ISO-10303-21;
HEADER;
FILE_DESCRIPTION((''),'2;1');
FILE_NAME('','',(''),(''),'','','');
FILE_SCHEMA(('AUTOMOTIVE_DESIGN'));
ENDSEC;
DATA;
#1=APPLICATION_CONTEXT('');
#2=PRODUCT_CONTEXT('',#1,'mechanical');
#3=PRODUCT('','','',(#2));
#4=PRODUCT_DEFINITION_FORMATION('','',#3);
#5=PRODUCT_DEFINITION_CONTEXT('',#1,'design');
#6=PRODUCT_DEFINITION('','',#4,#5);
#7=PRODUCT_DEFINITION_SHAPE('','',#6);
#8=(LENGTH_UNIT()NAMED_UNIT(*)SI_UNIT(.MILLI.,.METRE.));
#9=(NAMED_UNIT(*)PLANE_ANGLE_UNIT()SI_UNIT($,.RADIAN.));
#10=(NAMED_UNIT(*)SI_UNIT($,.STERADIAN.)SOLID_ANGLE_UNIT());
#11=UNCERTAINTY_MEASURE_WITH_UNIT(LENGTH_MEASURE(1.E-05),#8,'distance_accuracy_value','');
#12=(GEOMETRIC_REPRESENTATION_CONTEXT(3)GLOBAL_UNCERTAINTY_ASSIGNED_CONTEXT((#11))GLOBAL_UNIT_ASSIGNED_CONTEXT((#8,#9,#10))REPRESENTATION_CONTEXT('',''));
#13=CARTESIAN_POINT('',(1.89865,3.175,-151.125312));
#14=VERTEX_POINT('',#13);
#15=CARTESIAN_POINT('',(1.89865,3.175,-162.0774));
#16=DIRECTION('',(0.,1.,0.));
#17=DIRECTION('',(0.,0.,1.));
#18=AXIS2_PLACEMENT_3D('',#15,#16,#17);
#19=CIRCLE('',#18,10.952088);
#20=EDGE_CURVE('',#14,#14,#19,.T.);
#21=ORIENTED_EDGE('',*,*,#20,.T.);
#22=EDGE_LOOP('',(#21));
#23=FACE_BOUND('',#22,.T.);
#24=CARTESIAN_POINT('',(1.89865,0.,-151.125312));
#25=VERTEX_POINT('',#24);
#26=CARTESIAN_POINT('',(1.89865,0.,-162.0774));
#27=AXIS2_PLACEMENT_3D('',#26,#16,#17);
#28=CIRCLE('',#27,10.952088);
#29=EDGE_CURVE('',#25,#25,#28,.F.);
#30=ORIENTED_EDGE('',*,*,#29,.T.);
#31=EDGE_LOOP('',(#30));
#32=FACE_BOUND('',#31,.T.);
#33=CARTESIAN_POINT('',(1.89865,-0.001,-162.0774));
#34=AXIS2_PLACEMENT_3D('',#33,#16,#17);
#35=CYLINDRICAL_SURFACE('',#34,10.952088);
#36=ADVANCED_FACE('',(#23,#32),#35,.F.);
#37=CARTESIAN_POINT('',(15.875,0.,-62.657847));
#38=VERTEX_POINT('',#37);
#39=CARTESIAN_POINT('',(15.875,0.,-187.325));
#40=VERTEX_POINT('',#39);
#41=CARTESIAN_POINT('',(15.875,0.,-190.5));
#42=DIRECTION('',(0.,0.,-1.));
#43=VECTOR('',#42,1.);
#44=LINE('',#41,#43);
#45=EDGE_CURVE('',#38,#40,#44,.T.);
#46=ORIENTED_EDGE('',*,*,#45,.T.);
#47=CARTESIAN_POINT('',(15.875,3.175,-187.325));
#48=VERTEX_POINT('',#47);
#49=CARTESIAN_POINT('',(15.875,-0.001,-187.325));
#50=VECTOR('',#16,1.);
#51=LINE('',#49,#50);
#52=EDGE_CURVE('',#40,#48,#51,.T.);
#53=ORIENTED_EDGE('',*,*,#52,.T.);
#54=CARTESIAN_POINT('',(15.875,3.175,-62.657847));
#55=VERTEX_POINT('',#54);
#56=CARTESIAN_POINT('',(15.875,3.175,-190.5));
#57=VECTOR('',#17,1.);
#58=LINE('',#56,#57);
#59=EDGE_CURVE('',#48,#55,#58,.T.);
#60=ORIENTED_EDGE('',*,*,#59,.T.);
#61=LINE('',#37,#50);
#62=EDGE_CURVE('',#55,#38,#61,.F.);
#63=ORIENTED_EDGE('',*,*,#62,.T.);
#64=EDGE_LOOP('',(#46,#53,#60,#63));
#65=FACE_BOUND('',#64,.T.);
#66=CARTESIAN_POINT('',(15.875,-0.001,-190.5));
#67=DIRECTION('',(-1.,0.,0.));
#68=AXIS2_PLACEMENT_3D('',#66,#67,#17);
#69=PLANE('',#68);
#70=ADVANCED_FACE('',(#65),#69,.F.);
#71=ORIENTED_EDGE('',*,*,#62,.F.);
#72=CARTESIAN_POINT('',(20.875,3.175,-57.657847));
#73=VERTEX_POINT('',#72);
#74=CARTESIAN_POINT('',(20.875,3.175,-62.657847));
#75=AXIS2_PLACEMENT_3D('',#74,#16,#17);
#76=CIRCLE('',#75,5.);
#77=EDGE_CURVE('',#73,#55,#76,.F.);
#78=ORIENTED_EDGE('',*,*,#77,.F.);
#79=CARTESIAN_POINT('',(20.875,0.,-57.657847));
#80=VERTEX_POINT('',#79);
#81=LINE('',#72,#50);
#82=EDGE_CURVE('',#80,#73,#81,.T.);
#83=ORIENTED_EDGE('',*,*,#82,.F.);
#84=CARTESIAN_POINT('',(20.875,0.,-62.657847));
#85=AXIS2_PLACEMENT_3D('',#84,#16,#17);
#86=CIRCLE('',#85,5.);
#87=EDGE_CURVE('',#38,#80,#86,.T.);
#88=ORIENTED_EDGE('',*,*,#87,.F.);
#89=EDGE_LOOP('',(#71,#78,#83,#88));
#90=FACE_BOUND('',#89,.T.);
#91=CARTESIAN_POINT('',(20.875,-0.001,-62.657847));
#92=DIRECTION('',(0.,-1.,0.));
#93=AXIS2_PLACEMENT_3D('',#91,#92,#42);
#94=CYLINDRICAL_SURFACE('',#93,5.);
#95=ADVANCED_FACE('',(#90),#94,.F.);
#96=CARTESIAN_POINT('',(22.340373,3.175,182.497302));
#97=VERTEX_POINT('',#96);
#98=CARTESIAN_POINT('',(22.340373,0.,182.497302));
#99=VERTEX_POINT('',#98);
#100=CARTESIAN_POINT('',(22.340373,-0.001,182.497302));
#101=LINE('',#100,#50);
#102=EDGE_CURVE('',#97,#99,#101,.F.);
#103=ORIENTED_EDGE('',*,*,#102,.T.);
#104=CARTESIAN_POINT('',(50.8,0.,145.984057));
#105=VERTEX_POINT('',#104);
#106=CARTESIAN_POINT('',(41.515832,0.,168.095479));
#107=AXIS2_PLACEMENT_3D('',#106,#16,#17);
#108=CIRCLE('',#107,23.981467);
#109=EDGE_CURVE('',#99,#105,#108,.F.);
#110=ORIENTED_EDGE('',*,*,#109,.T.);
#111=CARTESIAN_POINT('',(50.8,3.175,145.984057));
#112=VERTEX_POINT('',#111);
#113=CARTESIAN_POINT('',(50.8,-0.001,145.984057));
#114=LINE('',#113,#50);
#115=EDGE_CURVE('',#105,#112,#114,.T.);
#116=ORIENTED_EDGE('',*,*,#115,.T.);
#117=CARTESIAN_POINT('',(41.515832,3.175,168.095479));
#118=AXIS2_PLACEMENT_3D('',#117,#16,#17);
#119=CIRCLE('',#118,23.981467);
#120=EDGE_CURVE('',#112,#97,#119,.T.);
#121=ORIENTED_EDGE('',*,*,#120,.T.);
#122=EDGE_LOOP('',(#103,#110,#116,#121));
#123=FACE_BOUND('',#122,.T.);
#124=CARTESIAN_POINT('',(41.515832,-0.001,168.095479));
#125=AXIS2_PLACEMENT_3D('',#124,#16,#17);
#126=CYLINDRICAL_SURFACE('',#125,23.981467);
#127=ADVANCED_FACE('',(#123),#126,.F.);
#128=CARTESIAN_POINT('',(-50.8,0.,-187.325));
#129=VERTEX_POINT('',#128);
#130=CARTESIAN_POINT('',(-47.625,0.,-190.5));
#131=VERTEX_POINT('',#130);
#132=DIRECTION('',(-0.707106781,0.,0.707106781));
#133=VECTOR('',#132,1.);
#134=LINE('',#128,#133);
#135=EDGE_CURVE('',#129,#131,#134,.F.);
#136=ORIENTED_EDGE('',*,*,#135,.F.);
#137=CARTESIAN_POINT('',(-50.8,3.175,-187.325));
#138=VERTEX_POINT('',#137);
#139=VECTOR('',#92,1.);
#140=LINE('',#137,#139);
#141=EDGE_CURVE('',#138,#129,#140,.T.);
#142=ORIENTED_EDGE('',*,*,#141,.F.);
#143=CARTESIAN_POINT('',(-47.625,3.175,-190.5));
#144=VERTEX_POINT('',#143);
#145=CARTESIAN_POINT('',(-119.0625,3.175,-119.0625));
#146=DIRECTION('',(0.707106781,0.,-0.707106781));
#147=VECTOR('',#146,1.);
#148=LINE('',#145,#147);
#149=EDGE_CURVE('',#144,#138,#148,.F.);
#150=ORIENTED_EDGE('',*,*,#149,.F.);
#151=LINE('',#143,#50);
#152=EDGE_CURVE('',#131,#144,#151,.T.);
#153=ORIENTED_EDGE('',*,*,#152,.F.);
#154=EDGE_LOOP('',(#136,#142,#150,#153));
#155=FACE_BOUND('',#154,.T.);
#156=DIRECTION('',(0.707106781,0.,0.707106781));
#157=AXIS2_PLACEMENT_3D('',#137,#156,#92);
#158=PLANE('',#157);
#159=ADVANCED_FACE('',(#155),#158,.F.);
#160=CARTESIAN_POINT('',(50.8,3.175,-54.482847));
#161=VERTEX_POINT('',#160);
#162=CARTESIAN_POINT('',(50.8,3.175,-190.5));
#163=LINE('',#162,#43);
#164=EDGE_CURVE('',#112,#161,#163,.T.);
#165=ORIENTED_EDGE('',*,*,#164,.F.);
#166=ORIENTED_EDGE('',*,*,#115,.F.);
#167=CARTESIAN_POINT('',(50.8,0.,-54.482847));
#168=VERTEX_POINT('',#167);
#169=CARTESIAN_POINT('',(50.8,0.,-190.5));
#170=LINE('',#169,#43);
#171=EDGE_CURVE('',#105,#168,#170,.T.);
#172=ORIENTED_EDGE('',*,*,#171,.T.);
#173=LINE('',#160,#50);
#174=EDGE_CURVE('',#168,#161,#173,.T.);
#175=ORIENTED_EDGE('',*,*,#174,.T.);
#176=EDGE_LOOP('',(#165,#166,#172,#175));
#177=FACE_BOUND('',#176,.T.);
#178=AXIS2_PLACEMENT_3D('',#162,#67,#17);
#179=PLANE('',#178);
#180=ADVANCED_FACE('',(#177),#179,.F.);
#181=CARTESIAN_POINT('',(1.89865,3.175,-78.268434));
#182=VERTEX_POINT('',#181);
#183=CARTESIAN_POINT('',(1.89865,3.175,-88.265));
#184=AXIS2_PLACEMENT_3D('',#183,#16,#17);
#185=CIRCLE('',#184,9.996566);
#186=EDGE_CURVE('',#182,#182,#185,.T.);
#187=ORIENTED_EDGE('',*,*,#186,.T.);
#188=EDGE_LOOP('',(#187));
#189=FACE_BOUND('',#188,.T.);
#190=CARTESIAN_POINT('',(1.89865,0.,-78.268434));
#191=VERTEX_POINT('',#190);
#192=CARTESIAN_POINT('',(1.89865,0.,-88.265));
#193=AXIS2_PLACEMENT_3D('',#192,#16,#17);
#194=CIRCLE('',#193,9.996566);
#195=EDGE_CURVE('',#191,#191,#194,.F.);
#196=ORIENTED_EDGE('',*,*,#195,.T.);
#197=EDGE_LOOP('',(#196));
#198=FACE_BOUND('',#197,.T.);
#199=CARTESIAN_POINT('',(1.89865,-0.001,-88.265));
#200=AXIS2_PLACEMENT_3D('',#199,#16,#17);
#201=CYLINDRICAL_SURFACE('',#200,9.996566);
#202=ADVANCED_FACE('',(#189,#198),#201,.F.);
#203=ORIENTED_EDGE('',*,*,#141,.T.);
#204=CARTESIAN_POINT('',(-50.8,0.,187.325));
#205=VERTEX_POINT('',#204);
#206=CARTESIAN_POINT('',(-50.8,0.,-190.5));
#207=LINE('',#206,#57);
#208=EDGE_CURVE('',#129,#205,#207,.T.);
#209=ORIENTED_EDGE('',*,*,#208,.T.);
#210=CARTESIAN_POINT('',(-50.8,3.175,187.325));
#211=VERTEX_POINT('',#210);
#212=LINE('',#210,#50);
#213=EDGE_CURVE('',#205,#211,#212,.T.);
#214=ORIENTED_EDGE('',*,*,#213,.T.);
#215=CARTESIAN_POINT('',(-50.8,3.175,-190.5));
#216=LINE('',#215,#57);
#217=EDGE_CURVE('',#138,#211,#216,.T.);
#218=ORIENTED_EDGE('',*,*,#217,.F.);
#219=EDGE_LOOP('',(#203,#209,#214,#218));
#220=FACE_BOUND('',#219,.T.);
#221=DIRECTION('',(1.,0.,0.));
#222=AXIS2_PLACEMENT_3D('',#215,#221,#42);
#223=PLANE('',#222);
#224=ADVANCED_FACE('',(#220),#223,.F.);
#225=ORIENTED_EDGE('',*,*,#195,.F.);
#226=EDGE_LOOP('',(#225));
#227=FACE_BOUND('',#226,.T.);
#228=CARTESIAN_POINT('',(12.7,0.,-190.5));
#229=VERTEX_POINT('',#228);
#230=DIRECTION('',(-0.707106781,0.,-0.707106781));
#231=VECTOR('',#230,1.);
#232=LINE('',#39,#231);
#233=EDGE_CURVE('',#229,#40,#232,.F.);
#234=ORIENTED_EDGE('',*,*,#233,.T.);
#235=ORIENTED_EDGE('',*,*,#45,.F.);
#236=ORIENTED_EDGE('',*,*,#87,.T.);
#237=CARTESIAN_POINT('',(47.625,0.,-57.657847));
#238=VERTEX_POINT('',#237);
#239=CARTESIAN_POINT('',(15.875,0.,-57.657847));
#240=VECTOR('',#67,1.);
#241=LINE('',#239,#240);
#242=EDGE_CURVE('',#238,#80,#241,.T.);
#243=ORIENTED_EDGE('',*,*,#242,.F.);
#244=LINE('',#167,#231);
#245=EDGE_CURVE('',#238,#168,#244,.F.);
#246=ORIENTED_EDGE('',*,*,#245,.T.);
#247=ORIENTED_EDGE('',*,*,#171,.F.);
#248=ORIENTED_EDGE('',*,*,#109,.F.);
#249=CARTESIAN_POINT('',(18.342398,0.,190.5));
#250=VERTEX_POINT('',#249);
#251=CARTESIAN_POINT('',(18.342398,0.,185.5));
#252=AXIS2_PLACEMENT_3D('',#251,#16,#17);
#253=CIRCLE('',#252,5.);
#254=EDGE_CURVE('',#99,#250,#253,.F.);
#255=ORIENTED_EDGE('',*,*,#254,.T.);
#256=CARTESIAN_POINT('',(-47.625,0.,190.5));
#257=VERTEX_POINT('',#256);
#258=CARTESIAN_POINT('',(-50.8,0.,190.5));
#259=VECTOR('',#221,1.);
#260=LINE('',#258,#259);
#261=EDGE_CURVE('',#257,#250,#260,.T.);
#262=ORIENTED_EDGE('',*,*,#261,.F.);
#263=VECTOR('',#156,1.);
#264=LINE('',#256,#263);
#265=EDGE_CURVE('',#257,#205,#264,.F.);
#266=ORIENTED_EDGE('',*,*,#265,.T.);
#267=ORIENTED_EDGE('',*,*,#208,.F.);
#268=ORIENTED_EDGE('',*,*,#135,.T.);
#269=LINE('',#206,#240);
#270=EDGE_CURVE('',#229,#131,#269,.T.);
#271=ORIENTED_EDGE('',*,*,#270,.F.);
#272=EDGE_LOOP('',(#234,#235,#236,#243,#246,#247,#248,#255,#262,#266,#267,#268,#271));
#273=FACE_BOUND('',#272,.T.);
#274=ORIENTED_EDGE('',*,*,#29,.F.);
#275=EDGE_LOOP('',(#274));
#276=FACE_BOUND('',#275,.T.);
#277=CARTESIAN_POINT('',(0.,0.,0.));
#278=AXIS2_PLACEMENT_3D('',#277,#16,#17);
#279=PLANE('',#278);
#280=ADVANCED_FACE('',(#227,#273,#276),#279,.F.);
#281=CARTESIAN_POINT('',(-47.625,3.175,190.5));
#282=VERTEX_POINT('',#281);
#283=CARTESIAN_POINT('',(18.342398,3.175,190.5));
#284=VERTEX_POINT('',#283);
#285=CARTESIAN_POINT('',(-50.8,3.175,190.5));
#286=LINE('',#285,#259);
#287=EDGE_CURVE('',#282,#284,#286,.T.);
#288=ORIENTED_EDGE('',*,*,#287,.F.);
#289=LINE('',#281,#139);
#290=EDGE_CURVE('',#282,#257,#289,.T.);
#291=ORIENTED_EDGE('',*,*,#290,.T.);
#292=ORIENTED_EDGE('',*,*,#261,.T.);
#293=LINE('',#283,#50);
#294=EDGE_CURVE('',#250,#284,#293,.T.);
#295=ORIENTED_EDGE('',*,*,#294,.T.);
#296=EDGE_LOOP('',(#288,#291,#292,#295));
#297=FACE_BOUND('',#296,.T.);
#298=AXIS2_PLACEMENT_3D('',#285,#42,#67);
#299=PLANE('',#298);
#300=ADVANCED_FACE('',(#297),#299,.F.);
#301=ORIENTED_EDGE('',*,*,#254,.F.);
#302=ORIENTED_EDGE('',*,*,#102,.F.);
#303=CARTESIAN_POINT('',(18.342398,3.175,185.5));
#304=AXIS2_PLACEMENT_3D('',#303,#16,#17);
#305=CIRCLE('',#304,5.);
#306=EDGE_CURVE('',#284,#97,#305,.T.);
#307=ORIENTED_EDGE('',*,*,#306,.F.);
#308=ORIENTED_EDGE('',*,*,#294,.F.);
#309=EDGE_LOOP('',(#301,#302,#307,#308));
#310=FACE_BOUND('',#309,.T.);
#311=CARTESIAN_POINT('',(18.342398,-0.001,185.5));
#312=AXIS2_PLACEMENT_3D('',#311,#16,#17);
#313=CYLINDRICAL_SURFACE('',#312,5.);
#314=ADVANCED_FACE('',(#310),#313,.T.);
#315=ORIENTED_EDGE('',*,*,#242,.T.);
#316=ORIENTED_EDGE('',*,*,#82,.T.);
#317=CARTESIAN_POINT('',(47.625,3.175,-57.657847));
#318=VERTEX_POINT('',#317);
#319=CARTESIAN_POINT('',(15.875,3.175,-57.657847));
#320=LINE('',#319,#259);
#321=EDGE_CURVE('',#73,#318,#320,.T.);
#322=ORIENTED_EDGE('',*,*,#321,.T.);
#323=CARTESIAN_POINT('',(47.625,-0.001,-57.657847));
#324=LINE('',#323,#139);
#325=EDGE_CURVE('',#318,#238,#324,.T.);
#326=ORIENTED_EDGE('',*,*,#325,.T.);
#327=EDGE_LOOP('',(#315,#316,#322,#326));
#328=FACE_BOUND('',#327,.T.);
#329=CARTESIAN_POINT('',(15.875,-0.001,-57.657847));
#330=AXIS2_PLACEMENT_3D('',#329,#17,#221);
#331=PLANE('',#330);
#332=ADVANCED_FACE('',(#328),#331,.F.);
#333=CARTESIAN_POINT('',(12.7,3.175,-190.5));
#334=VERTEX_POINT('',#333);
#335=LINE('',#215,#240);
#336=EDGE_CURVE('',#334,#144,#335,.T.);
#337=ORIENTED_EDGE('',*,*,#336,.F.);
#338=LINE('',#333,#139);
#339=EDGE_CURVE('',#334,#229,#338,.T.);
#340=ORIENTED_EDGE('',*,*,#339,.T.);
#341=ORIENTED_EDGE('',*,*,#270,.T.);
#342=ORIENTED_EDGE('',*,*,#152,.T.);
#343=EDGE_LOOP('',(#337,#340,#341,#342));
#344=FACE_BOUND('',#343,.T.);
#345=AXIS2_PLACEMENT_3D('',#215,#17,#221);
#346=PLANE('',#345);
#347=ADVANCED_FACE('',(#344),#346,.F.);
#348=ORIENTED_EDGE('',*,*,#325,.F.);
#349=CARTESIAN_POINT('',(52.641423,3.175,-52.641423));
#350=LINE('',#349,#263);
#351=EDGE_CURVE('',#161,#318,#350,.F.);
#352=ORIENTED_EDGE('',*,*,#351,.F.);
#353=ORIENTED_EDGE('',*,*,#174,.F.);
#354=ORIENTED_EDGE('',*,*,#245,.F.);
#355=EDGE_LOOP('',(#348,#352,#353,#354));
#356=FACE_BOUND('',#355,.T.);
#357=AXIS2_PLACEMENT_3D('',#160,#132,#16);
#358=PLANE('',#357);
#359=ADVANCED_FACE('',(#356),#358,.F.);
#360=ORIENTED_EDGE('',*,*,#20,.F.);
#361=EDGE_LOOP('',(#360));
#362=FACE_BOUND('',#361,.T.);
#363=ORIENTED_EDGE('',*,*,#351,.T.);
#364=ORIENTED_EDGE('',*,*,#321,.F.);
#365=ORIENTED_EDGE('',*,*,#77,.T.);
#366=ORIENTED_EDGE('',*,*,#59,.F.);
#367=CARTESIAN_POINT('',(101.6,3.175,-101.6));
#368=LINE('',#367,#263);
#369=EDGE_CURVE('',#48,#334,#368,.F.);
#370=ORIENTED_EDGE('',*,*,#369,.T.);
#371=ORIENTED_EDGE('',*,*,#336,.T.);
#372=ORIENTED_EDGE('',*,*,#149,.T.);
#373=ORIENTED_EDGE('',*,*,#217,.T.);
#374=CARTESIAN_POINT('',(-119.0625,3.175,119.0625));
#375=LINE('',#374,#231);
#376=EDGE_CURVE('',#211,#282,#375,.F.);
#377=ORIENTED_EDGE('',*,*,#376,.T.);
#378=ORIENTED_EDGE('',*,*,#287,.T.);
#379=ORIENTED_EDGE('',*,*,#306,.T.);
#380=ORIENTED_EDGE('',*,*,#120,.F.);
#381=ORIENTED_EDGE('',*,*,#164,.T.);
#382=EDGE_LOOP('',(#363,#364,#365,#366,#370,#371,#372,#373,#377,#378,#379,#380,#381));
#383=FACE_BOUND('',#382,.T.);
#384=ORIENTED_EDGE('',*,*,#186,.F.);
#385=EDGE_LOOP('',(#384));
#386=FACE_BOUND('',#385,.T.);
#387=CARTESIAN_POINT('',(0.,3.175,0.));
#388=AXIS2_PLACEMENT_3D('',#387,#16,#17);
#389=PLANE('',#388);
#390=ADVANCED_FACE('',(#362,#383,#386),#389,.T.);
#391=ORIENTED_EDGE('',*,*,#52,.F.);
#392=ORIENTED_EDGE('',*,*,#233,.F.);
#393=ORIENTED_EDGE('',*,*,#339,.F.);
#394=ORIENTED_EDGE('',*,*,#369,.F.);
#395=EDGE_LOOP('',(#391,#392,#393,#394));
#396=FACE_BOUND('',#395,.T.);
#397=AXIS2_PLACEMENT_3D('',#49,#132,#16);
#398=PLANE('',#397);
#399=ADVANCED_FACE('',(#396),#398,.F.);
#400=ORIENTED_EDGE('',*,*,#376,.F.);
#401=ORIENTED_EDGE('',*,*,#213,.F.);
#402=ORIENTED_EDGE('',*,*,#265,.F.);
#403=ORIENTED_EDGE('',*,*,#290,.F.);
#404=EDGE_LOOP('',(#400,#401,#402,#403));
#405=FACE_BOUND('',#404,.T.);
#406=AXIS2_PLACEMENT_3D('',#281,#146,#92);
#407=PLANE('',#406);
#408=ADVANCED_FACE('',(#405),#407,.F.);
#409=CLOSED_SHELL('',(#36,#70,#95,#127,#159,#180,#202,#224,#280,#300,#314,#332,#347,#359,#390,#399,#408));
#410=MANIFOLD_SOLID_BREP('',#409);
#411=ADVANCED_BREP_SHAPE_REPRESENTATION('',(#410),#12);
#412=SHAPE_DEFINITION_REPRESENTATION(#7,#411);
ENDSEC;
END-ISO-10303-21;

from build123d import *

# Parameters (mm, degrees)
SKETCH1_W           = 101.6
SKETCH1_H           = 381
BOSS_EXTRUDE1_DEPTH = 3.175
CHAMFER1_SIZE       = 3.175
CUT_EXTRUDE1_REACH  = 199.183
SKETCH2_R           = 23.981466634
SKETCH2_R_2         = 10.952088468
SKETCH2_R_3         = 9.996566117
SKETCH2_W           = 34.925
SKETCH2_H           = 132.842153018
CHAMFER2_SIZE       = 3.175
FILLET1_R           = 5
FILLET2_R           = 5


with BuildPart() as part:
    # Sketch1 → Boss-Extrude1 (new body)
    with BuildSketch(Plane(origin=(0, 0, 0), x_dir=(1, 0, 0), z_dir=(0, 1, 0))):
        Rectangle(SKETCH1_W, SKETCH1_H)
    extrude(amount=BOSS_EXTRUDE1_DEPTH)

    # Chamfer1
    chamfer1_edges = [part.edges().sort_by_distance(p)[0] for p in [
        (-50.8, 1.5875, -190.5),
        (50.8, 1.5875, -190.5),
        (50.8, 1.5875, 190.5),
        (-50.8, 1.5875, 190.5),
    ]]
    chamfer(chamfer1_edges, length=CHAMFER1_SIZE)

    # Sketch2 → Cut-Extrude1 (cut, up to next)
    with BuildSketch(Plane(origin=(0, 3.175, 0), x_dir=(1, 0, 0), z_dir=(0, 1, 0)), mode=Mode.PRIVATE) as cut_extrude1_sk1:
        with Locations((41.515832085, -168.095479014)):
            Circle(SKETCH2_R)
    cut_extrude1_tool1 = extrude(cut_extrude1_sk1.sketch, amount=-CUT_EXTRUDE1_REACH, mode=Mode.PRIVATE) & part.part
    # Sketch2 → Cut-Extrude1 (cut, up to next)
    with BuildSketch(Plane(origin=(0, 3.175, 0), x_dir=(1, 0, 0), z_dir=(0, 1, 0)), mode=Mode.PRIVATE) as cut_extrude1_sk2:
        with Locations((1.89865, 162.0774)):
            Circle(SKETCH2_R_2)
    cut_extrude1_tool2 = extrude(cut_extrude1_sk2.sketch, amount=-CUT_EXTRUDE1_REACH, mode=Mode.PRIVATE) & part.part
    # Sketch2 → Cut-Extrude1 (cut, up to next)
    with BuildSketch(Plane(origin=(0, 3.175, 0), x_dir=(1, 0, 0), z_dir=(0, 1, 0)), mode=Mode.PRIVATE) as cut_extrude1_sk3:
        with Locations((1.89865, 88.265)):
            Circle(SKETCH2_R_3)
    cut_extrude1_tool3 = extrude(cut_extrude1_sk3.sketch, amount=-CUT_EXTRUDE1_REACH, mode=Mode.PRIVATE) & part.part
    # Sketch2 → Cut-Extrude1 (cut, up to next)
    with BuildSketch(Plane(origin=(0, 3.175, 0), x_dir=(1, 0, 0), z_dir=(0, 1, 0)), mode=Mode.PRIVATE) as cut_extrude1_sk4:
        with Locations((33.3375, 124.078923491)):
            Rectangle(SKETCH2_W, SKETCH2_H)
    cut_extrude1_tool4 = extrude(cut_extrude1_sk4.sketch, amount=-CUT_EXTRUDE1_REACH, mode=Mode.PRIVATE) & part.part
    add(cut_extrude1_tool1.solids().sort_by_distance((41.515832, 3.175, 168.095479))[0], mode=Mode.SUBTRACT)
    add(cut_extrude1_tool2.solids().sort_by_distance((1.89865, 3.175, -162.0774))[0], mode=Mode.SUBTRACT)
    add(cut_extrude1_tool3.solids().sort_by_distance((1.89865, 3.175, -88.265))[0], mode=Mode.SUBTRACT)
    add(cut_extrude1_tool4.solids().sort_by_distance((33.3375, 3.175, -124.078923))[0], mode=Mode.SUBTRACT)

    # Chamfer2
    chamfer2_edges = [part.edges().sort_by_distance(p)[0] for p in [
        (50.8, 1.5875, -57.657846982),
        (15.875, 1.5875, -190.5),
    ]]
    chamfer(chamfer2_edges, length=CHAMFER2_SIZE)

    # Fillet1
    fillet1_edges = [part.edges().sort_by_distance(p)[0] for p in [
        (15.875, 1.5875, -57.657846982),
    ]]
    fillet(fillet1_edges, radius=FILLET1_R)

    # Fillet2
    fillet2_edges = [part.edges().sort_by_distance(p)[0] for p in [
        (32.963161081, 1.5875, 190.5),
    ]]
    fillet(fillet2_edges, radius=FILLET2_R)


solid = part.part
